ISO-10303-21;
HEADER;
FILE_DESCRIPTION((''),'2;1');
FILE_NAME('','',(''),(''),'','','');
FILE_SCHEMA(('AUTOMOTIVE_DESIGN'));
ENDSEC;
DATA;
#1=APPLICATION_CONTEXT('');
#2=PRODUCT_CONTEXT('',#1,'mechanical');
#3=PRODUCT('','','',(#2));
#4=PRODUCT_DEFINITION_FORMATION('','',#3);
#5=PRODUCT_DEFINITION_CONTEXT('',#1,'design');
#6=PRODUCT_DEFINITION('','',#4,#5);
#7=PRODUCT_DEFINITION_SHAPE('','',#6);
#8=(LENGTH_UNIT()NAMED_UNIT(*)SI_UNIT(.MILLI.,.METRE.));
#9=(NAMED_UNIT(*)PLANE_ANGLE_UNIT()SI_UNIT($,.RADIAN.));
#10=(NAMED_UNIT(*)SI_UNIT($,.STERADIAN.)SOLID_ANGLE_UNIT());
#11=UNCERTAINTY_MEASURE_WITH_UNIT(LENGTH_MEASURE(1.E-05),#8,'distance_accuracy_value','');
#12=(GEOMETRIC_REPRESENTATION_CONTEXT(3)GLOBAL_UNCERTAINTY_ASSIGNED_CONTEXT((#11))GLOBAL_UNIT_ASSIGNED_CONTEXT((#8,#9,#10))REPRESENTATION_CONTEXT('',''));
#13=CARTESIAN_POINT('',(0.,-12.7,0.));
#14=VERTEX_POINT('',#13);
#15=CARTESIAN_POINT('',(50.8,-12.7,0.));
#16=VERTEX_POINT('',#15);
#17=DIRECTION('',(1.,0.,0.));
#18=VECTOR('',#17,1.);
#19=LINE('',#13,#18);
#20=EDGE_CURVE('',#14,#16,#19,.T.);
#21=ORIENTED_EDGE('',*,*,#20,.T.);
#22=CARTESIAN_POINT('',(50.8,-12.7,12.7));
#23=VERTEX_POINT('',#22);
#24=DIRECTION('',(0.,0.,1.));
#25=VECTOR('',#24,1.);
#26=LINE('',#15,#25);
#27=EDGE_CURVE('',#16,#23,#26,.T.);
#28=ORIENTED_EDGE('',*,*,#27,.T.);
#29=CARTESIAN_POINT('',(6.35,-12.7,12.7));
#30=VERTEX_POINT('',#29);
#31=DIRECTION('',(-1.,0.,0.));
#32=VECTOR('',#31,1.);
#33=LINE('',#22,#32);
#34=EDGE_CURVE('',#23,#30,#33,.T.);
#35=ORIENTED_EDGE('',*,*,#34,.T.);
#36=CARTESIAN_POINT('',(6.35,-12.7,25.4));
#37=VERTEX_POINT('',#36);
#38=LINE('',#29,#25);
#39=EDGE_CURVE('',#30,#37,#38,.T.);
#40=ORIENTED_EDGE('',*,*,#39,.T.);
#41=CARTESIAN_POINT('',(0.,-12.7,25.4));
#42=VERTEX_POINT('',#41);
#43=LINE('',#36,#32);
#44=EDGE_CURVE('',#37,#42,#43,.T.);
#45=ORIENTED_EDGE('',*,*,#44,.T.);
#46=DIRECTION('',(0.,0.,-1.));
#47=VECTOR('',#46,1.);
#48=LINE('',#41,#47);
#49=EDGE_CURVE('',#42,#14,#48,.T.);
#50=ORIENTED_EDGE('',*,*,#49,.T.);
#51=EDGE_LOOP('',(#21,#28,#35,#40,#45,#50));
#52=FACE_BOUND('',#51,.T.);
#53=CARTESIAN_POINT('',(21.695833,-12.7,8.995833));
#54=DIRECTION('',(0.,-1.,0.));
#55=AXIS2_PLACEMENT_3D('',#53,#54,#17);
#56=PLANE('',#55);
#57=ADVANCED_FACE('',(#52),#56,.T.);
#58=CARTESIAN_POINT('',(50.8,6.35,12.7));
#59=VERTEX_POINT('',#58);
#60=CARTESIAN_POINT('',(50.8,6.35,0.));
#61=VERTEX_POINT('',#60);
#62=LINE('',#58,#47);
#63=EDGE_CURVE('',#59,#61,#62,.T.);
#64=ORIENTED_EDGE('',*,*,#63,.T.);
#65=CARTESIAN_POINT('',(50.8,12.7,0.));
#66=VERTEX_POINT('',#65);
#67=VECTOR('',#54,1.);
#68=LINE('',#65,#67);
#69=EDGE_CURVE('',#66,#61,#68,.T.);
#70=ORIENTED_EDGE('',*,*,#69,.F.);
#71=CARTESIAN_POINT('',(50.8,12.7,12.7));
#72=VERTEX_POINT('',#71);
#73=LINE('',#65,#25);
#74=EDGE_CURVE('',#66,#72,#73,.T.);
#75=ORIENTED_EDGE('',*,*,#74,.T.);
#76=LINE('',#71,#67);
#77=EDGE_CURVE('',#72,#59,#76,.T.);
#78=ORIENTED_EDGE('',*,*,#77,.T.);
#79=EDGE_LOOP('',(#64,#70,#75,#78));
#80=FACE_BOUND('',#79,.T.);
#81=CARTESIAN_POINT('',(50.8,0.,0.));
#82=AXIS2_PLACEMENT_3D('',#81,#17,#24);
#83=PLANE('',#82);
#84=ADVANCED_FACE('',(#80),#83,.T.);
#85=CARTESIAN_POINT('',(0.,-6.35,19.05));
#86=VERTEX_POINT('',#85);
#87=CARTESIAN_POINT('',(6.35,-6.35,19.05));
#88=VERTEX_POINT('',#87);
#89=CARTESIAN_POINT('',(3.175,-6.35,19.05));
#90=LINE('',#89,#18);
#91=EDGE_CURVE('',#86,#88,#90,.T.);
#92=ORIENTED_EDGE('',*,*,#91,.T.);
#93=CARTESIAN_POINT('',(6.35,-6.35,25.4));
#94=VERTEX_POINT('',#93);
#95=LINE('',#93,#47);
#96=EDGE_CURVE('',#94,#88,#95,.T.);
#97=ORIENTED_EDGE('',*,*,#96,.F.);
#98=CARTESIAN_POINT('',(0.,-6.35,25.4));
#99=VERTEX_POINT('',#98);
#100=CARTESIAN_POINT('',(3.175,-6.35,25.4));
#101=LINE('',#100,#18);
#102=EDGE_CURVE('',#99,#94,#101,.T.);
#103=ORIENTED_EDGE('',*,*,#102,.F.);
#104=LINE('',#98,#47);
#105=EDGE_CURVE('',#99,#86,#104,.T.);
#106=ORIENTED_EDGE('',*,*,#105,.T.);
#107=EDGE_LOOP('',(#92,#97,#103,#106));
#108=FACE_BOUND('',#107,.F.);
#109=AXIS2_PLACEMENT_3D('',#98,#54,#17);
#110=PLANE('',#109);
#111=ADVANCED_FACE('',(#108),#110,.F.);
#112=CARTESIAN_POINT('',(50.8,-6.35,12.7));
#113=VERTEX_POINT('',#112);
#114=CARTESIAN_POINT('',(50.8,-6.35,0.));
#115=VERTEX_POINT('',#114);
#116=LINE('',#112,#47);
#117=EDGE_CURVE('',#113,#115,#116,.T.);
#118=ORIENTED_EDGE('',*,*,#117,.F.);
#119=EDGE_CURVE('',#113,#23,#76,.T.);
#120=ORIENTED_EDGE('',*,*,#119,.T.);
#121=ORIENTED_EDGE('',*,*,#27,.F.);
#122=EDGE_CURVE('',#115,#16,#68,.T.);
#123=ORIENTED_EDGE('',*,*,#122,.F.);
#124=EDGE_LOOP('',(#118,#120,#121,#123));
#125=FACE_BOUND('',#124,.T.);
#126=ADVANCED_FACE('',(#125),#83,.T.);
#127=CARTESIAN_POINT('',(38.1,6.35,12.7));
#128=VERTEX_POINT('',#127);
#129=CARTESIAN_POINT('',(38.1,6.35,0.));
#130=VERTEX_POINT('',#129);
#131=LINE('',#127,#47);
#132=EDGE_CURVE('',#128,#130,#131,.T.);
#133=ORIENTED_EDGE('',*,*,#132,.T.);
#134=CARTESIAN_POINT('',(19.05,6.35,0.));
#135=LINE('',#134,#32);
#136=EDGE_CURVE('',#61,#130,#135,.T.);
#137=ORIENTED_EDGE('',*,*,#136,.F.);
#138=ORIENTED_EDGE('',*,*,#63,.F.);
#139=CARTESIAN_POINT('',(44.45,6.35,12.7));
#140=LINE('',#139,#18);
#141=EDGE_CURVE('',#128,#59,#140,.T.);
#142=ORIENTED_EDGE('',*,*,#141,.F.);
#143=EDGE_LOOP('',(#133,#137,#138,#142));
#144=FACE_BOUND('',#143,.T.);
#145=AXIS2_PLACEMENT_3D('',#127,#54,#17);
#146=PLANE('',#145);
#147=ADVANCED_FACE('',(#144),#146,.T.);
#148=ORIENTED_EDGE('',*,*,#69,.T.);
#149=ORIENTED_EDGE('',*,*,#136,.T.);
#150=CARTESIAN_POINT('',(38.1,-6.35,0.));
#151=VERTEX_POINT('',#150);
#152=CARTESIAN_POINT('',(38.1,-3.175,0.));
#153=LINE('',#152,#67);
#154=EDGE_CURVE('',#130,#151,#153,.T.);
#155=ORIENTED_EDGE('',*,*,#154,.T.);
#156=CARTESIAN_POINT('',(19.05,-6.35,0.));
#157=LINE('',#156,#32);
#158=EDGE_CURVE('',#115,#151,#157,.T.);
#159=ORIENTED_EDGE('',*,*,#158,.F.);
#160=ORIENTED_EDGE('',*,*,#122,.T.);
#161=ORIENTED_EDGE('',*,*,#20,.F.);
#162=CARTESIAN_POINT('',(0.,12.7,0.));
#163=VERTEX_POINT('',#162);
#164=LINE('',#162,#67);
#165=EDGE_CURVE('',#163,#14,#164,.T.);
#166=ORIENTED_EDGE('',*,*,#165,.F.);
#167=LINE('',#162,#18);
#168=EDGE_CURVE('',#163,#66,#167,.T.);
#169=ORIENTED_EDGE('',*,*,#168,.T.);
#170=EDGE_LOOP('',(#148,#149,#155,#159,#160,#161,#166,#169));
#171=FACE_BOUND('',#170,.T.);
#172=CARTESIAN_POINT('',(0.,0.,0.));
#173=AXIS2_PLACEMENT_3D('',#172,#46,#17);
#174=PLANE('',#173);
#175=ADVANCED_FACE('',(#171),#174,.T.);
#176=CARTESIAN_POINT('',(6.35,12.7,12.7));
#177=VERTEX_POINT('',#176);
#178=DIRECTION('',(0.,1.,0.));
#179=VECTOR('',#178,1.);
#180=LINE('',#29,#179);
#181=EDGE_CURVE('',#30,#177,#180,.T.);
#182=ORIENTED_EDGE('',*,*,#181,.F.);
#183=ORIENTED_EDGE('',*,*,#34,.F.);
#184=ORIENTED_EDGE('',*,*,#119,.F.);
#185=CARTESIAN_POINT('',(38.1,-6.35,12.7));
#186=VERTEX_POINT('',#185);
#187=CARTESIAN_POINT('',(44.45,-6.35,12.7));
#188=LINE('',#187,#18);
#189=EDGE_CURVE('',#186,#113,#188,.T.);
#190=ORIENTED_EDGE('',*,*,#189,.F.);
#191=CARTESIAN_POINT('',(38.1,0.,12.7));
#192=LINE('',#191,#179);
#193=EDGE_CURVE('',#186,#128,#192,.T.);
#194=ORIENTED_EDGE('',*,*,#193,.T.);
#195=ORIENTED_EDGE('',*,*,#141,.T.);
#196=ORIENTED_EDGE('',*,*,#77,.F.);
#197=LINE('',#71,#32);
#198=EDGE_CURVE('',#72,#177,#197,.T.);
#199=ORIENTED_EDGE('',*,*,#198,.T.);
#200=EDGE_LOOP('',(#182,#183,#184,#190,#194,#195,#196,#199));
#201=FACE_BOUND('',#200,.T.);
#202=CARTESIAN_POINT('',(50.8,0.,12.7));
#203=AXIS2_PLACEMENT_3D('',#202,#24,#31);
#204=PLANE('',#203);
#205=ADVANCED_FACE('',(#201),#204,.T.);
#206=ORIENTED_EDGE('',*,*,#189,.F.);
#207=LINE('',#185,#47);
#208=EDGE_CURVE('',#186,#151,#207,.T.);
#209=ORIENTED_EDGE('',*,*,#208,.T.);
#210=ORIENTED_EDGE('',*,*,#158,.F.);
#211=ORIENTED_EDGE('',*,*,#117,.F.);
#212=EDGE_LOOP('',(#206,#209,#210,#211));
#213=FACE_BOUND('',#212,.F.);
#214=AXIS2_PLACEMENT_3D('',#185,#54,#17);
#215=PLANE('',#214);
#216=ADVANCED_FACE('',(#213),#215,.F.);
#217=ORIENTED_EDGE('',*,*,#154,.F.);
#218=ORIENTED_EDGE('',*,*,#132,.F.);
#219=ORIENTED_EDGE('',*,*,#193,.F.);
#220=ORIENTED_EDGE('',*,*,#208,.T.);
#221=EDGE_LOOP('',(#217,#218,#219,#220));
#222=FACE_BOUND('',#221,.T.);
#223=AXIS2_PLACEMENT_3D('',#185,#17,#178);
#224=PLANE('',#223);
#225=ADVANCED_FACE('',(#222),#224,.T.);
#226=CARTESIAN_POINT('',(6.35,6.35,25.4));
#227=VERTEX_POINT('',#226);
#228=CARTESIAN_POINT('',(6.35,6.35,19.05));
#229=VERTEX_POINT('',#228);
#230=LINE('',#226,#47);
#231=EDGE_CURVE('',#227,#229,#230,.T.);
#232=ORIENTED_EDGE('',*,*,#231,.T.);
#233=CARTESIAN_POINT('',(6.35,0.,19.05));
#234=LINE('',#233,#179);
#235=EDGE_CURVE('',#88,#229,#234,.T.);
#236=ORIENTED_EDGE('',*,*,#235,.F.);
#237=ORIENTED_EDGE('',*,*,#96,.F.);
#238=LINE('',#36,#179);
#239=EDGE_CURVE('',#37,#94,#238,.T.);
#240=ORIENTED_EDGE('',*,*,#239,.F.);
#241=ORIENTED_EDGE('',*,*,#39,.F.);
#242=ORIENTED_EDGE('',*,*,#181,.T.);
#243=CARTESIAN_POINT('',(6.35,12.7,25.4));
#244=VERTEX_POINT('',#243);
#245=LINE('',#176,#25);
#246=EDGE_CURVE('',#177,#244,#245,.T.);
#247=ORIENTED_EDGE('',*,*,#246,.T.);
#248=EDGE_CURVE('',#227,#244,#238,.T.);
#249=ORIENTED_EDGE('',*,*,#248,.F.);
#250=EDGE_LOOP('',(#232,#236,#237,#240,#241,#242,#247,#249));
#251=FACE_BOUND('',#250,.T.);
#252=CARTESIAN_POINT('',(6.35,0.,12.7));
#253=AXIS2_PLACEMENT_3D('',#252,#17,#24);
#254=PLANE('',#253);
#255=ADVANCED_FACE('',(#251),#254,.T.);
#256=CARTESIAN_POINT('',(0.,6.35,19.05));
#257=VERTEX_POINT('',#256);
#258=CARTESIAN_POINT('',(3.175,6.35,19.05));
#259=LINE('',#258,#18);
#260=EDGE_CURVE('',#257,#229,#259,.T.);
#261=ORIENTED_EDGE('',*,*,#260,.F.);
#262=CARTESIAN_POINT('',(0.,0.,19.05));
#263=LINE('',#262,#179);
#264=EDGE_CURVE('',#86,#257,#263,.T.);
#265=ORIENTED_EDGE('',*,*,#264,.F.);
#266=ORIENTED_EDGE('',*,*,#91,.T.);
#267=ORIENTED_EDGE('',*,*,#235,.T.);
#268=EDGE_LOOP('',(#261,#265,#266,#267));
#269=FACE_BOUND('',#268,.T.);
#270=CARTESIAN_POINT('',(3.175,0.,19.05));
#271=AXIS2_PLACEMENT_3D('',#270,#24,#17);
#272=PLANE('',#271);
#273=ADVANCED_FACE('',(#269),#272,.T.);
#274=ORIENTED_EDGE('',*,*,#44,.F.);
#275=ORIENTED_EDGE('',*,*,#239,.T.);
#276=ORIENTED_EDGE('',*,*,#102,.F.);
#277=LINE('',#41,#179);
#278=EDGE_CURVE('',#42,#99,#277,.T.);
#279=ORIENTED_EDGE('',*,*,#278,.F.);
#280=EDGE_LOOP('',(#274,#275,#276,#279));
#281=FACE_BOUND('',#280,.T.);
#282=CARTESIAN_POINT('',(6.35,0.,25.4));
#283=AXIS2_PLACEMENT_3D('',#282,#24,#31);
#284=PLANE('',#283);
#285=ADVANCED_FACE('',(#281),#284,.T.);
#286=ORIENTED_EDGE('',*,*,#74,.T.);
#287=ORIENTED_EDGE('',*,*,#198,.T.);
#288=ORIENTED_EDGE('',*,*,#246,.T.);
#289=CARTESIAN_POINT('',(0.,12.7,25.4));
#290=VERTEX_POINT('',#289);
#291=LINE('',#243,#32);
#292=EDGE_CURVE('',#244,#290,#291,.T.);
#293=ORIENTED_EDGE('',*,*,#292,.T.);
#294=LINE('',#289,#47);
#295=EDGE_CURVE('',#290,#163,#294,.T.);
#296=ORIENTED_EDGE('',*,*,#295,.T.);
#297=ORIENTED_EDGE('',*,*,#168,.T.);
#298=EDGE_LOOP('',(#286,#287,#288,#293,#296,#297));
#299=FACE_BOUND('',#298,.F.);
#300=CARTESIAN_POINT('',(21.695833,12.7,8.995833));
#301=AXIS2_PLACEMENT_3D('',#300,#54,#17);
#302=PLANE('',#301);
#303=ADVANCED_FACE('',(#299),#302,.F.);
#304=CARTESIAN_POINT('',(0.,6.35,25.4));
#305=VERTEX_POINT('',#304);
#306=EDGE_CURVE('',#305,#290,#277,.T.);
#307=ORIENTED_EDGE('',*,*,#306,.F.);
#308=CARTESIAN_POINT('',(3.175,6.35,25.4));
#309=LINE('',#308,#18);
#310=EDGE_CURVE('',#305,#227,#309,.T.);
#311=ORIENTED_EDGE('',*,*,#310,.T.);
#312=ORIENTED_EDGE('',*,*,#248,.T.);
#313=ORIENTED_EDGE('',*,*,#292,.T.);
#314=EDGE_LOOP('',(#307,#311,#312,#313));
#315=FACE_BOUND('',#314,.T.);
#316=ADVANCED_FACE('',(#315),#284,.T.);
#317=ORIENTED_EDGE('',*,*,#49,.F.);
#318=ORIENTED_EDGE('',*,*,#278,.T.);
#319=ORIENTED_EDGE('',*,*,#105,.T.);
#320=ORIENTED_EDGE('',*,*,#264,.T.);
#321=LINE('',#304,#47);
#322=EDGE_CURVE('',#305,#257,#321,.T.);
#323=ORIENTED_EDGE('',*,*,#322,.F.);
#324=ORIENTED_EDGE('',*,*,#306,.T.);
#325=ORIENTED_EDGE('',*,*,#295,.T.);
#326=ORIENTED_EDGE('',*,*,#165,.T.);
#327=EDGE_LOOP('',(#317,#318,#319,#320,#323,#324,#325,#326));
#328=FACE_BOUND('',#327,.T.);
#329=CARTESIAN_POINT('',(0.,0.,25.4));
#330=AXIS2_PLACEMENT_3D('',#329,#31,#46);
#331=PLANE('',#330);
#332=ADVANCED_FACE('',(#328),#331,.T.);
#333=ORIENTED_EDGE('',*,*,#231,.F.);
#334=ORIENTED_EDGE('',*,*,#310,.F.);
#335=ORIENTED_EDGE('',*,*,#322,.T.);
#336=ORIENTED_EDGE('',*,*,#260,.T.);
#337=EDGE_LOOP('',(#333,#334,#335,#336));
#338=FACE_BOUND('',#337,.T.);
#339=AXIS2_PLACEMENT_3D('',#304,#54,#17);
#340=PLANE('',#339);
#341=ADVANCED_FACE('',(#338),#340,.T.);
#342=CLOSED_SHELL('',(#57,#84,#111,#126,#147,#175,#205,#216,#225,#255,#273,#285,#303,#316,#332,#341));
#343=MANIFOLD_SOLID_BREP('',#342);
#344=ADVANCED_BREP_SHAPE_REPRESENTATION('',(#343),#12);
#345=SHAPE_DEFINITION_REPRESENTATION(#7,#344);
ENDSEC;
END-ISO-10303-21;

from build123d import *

# Parameters (mm, degrees)
F1_DEPTH = 12.7
F2_W     = 6.35
F2_H     = 12.7
F3_DEPTH = 6.35
F4_W     = 12.7
F4_H     = 12.7
F5_DEPTH = 12.701


with BuildPart() as f1:
    # F0 (on Front) → F1 (new body, symmetric)
    with BuildSketch(Plane.XZ):
        Polygon((0, 25.4), (0, 0), (50.8, 0), (50.8, 12.7), (6.35, 12.7), (6.35, 25.4), align=None)
    extrude(amount=F1_DEPTH, both=True)

    # F2 (on face) → F3 (cut)
    with BuildSketch(Plane.XY.offset(25.4)):
        with Locations((3.175, 0)):
            Rectangle(F2_W, F2_H)
    extrude(amount=-F3_DEPTH, mode=Mode.SUBTRACT)

    # F4 (on face) → F5 (cut, through all)
    with BuildSketch(Plane.XY.offset(12.7)):
        with Locations((44.45, 0)):
            Rectangle(F4_W, F4_H)
    extrude(amount=-F5_DEPTH, mode=Mode.SUBTRACT)


solid = f1.part
